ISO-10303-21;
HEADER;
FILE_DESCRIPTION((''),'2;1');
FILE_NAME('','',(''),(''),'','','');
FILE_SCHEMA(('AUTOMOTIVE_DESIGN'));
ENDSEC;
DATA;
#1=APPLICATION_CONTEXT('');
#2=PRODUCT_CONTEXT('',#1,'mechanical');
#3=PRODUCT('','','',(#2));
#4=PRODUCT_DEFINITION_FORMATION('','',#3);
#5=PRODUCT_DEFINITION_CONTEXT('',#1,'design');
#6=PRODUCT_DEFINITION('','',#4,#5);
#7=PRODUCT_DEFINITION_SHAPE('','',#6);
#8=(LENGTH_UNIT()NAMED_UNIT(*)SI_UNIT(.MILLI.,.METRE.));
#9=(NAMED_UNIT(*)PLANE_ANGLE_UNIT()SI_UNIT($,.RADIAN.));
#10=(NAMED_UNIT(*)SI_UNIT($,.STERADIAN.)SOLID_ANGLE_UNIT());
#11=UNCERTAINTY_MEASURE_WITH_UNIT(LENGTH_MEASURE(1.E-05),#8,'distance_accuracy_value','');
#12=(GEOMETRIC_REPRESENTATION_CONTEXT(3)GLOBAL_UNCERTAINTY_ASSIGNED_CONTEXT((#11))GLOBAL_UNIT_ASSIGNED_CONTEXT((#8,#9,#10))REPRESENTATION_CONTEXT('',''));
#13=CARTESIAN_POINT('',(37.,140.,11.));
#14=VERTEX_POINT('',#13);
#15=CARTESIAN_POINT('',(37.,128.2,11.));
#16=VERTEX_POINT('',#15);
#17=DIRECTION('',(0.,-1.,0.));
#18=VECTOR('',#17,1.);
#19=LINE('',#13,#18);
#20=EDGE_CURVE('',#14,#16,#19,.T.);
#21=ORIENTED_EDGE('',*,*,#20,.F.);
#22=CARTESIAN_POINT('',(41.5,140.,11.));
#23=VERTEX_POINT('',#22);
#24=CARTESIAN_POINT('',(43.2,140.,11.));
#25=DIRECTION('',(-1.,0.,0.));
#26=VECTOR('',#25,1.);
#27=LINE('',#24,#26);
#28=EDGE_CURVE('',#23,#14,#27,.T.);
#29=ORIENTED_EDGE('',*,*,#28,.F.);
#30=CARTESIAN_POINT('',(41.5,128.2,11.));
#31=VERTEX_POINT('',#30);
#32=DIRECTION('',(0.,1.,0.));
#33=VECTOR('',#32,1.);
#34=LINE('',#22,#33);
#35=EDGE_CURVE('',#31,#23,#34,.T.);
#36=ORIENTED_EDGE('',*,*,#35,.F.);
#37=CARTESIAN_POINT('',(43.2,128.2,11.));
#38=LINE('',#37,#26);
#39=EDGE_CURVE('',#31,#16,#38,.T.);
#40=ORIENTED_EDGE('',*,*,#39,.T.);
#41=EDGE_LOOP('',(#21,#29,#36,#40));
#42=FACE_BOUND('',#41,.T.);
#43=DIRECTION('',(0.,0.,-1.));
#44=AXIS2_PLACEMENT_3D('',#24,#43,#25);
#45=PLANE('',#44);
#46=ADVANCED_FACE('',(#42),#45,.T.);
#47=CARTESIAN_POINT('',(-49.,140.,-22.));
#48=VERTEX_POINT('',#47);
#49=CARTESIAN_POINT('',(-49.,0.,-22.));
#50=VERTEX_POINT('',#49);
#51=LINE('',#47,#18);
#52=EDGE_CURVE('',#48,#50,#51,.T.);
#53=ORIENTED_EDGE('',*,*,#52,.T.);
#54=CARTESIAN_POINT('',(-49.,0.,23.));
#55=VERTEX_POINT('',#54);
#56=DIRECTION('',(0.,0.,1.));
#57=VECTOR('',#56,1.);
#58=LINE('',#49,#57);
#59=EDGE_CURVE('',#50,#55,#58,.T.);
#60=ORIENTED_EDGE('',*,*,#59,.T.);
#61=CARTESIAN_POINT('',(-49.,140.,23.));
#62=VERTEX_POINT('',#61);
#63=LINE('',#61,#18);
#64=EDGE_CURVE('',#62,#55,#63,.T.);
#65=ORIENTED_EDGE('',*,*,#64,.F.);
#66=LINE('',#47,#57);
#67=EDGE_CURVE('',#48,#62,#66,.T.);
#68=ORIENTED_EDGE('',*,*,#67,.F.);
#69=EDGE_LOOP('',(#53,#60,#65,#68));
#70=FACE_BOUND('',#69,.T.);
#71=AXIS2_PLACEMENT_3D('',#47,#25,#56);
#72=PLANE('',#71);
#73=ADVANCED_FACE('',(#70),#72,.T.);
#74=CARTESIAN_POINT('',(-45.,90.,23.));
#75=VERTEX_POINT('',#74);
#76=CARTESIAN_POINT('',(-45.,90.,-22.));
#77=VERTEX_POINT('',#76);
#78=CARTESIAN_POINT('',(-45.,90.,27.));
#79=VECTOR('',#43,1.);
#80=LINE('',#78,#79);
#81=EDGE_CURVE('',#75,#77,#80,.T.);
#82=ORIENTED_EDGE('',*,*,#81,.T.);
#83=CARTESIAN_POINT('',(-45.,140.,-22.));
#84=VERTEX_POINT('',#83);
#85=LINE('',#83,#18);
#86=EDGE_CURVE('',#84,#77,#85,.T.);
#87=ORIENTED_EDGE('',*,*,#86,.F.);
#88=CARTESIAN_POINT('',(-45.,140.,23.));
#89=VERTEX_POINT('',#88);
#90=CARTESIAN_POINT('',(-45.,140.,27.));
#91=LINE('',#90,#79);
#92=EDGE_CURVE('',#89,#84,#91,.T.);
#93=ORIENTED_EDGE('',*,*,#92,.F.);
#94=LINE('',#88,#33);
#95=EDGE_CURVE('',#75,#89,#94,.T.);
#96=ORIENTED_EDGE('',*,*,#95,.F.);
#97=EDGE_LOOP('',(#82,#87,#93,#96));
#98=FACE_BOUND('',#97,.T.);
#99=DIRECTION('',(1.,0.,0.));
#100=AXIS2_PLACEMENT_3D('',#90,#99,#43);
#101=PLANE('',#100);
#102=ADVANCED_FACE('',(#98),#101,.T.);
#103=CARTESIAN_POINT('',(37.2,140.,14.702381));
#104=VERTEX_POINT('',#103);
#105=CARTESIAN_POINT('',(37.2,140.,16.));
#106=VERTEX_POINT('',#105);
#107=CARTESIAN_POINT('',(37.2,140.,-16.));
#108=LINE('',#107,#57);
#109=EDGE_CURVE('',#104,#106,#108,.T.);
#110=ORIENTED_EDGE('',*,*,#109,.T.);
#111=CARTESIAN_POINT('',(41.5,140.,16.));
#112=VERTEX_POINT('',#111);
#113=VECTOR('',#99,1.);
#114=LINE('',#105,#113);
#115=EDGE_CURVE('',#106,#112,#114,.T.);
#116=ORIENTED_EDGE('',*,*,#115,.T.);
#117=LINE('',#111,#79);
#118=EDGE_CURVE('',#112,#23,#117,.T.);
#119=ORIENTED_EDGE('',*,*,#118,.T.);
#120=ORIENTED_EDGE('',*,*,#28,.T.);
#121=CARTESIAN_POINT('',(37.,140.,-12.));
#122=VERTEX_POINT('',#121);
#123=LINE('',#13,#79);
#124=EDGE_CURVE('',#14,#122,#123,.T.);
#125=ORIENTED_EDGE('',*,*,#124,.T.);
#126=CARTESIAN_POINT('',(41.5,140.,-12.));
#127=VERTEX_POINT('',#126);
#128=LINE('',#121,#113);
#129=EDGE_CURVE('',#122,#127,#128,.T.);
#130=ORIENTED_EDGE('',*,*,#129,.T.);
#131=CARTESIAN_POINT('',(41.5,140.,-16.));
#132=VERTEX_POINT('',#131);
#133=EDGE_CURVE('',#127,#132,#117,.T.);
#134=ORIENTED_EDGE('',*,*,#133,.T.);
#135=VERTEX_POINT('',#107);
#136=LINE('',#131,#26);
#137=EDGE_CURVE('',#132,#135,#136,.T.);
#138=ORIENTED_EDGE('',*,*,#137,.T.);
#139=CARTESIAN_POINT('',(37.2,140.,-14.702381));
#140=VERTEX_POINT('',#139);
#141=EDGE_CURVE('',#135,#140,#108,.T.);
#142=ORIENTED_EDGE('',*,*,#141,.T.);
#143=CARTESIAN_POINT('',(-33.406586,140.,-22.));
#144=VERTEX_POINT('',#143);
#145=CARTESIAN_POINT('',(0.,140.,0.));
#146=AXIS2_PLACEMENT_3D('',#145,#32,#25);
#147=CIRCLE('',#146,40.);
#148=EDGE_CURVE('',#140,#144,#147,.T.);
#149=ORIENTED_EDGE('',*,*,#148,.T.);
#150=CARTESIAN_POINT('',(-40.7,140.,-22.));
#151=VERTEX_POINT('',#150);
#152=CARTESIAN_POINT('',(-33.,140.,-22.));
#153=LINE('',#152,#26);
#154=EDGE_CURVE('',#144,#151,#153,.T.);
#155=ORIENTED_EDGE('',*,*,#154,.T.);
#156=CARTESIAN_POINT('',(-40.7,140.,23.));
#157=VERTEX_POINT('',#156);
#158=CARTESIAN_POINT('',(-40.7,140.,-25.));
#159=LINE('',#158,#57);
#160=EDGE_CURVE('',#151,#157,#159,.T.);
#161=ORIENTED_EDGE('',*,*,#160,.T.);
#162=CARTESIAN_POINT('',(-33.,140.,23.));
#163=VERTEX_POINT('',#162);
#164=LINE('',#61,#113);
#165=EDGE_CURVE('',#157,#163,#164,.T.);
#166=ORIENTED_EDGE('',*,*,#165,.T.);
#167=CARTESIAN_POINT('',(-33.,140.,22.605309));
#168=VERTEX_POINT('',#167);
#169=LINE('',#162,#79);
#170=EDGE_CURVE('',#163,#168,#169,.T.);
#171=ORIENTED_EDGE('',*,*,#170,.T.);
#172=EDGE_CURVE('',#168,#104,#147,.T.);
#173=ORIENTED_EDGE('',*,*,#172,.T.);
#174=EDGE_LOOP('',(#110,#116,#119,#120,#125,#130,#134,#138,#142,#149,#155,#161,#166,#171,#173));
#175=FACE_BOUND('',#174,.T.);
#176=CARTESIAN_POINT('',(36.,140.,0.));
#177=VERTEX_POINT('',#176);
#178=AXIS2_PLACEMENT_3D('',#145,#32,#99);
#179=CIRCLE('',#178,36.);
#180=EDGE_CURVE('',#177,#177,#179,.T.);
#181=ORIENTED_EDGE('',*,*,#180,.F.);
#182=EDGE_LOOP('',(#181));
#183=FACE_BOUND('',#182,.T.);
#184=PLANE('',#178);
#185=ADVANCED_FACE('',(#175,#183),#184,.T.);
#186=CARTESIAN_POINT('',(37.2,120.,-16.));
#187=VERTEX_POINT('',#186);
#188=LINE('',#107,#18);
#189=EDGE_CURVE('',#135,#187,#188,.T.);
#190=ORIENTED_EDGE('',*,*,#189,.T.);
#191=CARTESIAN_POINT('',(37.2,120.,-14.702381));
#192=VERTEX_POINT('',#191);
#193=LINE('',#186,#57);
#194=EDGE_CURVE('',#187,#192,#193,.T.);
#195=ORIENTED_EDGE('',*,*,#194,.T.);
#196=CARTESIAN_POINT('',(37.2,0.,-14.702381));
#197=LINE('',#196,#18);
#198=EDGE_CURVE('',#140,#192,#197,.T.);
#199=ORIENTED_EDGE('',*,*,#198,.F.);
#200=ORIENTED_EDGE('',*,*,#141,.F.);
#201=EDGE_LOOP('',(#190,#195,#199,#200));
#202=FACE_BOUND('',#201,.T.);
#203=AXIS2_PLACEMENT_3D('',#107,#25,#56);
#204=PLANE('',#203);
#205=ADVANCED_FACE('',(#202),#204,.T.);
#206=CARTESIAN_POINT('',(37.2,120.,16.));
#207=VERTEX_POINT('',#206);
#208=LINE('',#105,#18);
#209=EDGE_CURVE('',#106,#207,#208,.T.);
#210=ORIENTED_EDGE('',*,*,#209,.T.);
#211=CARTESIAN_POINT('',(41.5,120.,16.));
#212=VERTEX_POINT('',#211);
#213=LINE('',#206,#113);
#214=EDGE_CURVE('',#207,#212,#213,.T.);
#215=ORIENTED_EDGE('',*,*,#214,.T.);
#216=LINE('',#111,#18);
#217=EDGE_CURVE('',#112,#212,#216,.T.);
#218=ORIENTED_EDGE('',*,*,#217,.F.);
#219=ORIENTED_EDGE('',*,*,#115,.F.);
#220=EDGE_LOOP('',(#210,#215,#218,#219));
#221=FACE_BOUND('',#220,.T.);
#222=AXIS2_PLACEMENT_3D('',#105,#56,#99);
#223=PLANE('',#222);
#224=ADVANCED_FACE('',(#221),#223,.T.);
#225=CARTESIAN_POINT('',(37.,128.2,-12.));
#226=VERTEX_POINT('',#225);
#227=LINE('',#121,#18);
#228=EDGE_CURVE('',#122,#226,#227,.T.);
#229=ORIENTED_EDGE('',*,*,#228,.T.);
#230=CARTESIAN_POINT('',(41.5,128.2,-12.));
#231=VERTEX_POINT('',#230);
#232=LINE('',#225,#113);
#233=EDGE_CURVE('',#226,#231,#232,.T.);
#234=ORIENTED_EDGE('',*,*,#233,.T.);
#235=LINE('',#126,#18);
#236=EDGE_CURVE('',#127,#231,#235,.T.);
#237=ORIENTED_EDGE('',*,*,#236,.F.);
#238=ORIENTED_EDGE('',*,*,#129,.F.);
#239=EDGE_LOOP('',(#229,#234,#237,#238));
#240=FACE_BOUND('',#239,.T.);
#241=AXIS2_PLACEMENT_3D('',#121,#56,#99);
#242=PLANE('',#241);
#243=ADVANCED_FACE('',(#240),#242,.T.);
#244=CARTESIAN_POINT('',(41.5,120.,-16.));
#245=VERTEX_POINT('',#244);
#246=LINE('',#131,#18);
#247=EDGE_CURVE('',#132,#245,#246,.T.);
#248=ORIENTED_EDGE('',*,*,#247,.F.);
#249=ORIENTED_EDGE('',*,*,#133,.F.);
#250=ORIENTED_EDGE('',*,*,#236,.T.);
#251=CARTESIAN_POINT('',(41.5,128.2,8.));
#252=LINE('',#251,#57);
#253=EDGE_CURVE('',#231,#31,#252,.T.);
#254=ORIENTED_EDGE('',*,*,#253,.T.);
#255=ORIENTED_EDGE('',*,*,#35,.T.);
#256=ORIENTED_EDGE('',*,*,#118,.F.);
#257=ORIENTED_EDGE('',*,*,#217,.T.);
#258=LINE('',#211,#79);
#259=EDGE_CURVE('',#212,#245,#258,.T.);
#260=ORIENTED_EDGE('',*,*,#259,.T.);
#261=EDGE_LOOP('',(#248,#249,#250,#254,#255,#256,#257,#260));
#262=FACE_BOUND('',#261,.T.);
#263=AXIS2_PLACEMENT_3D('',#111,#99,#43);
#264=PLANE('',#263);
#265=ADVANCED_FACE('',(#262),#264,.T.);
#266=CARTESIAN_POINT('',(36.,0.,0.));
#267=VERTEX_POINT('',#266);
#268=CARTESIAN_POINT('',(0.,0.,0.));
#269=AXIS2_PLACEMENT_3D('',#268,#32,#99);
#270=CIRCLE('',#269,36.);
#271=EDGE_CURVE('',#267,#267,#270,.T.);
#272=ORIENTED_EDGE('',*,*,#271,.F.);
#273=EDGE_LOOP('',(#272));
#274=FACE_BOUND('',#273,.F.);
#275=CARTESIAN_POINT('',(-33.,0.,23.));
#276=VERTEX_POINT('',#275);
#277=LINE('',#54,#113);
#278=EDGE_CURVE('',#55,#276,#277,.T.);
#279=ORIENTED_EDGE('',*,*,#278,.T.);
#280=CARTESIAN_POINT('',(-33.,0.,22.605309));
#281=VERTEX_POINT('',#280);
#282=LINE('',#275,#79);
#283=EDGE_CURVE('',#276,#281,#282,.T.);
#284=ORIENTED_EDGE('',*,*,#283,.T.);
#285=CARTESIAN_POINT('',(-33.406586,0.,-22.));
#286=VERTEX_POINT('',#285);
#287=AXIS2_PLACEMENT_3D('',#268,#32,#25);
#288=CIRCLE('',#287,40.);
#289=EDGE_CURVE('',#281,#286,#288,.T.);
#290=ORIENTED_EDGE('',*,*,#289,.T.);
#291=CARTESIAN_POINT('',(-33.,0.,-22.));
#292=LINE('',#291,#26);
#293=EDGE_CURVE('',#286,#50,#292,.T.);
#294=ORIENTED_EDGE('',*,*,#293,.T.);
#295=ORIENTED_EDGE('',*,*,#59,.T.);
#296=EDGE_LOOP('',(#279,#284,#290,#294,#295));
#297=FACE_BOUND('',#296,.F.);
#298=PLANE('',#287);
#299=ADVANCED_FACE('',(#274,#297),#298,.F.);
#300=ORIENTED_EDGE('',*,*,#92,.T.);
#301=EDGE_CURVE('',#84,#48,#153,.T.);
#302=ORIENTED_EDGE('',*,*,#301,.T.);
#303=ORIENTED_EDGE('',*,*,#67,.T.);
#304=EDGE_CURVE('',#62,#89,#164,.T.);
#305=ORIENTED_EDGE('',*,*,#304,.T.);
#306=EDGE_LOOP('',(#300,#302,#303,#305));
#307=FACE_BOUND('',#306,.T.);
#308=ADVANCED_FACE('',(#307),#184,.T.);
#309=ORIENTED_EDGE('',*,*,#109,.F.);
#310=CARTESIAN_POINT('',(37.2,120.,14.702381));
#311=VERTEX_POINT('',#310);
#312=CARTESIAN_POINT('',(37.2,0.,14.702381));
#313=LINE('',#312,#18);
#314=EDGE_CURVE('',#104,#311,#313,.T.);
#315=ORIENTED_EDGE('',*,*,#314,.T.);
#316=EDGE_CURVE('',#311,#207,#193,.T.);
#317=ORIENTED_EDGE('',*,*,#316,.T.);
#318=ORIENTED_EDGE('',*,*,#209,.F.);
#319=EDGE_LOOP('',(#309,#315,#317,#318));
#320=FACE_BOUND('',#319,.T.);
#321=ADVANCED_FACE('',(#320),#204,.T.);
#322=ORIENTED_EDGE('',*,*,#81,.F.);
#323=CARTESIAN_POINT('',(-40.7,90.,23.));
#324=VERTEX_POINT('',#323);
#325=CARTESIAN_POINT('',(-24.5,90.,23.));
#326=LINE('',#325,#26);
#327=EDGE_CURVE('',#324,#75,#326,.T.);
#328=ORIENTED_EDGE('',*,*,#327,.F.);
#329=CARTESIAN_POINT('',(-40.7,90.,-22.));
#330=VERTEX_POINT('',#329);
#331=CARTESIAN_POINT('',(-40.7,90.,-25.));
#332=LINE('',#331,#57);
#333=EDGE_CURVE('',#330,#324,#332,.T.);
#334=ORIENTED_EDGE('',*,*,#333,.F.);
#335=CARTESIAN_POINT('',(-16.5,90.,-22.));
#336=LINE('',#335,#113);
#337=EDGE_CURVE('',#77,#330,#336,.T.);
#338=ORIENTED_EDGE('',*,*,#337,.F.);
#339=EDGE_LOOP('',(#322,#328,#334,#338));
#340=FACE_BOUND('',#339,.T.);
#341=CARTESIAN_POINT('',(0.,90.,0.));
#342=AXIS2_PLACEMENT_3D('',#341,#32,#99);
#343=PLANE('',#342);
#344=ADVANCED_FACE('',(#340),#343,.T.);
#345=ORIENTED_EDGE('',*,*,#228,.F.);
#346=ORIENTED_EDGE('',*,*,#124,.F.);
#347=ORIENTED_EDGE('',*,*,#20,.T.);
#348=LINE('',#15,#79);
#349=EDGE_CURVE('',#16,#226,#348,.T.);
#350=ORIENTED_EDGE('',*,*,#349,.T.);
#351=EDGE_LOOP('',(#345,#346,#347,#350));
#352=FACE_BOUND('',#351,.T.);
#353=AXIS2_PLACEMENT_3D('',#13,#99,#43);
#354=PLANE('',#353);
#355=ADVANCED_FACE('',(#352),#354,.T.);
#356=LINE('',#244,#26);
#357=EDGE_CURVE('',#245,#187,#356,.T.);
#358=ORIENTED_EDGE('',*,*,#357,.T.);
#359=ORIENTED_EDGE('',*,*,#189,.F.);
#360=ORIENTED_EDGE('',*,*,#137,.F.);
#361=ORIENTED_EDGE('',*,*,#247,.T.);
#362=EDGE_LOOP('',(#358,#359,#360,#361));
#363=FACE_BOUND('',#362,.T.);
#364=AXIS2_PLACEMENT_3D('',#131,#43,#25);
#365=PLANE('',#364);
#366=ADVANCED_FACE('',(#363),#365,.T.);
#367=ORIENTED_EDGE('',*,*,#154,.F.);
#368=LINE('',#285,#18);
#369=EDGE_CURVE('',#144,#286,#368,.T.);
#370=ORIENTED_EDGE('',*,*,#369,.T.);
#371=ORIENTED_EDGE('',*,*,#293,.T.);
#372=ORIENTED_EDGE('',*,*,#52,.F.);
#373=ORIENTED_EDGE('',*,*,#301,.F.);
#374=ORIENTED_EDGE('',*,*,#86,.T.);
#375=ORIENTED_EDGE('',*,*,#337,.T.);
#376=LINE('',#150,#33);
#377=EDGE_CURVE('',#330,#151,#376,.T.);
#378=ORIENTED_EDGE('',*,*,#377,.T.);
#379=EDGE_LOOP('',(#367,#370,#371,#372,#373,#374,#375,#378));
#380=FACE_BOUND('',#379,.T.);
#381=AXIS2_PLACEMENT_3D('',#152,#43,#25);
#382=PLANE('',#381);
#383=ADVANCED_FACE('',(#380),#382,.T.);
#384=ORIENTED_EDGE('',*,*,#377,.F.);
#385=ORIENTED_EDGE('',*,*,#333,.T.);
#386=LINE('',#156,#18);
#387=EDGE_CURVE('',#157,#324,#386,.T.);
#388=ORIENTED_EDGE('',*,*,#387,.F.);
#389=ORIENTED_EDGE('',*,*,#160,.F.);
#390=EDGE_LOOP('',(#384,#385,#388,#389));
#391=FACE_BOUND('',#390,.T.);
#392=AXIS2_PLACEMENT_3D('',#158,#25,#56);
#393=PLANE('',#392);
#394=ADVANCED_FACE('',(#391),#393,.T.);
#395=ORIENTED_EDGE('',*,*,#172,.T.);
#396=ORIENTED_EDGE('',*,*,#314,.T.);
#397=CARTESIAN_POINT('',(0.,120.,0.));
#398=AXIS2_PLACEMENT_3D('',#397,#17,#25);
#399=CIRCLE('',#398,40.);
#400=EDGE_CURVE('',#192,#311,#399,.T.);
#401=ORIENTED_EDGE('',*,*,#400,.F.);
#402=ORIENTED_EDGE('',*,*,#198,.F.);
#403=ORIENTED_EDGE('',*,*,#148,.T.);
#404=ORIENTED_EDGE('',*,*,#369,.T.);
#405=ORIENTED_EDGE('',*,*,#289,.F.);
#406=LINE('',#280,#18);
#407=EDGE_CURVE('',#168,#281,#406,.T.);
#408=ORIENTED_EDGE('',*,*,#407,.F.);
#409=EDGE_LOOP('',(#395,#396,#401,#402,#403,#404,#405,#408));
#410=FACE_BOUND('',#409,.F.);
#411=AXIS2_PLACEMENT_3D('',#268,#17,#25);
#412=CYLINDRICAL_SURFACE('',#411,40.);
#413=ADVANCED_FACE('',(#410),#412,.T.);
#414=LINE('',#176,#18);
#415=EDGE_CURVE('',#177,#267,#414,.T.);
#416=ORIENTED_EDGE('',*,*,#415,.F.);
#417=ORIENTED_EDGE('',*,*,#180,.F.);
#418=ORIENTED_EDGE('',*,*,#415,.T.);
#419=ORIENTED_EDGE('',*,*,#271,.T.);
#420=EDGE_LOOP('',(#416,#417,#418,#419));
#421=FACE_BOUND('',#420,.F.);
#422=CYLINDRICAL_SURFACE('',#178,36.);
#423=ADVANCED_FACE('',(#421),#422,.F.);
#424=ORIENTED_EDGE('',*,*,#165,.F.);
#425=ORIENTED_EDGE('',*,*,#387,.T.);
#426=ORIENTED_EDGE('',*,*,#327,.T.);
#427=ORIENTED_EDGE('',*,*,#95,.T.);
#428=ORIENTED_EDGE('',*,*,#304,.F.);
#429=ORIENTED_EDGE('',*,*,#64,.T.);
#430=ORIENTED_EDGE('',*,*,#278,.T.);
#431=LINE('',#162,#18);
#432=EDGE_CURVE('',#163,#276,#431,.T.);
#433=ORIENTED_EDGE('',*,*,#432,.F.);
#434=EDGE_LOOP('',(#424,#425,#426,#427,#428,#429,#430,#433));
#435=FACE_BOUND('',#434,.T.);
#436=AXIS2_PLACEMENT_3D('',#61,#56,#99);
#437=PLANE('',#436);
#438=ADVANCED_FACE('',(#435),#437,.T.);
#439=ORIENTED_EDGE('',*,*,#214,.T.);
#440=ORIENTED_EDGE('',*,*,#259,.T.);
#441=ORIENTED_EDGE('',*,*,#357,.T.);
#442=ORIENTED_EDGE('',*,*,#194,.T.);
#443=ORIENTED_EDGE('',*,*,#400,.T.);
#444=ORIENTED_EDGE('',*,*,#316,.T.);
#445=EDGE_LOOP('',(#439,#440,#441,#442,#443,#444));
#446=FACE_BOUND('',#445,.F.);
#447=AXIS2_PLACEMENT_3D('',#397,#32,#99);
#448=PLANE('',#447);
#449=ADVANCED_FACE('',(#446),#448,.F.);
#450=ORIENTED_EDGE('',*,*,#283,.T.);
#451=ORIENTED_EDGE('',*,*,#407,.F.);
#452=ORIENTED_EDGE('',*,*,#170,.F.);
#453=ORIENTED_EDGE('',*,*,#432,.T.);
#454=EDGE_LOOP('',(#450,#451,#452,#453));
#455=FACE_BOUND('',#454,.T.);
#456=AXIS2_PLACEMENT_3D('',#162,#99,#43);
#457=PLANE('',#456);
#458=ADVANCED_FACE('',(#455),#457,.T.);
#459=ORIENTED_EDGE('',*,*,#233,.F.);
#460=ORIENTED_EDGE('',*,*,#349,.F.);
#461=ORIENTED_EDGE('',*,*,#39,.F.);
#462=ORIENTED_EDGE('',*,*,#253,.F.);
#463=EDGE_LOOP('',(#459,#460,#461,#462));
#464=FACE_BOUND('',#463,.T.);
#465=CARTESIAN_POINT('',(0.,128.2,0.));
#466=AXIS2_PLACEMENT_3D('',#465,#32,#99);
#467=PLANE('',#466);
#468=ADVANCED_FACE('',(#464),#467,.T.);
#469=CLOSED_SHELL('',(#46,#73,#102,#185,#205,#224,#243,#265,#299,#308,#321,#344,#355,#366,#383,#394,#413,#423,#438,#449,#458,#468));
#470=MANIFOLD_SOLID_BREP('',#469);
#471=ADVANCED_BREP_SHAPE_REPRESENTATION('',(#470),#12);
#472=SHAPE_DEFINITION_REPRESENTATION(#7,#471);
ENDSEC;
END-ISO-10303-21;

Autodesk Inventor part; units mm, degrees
ref_plane "YZ Plane" through (0, 0, 0) normal (1, 0, 0) x (0, 1, 0)
ref_plane "XZ Plane" through (0, 0, 0) normal (0, 1, 0) x (-1, 0, 0)
ref_plane "XY Plane" through (0, 0, 0) normal (0, 0, 1) x (1, 0, 0)
sketch "Sketch1" plane through (0, 0, 0) normal (0, 1, 0) x (-1, 0, 0)
  circle A0 centre (0, 0) radius 40
  dimension "d0" = 80
extrude "Extrusion1" add sketch "Sketch1" along normal blind 140
sketch "Sketch2" plane through (0, 140, 0) normal (0, 1, 0) x (1, 0, 0)
  line L0 (-49, -23) -> (-33, -23)
  line L1 (-33, -23) -> (-33, 22)
  line L2 (-33, 22) -> (-49, 22)
  line L3 (-49, 22) -> (-49, -23)
  point P0 (0, 0)
extrude "Extrusion2" add sketch "Sketch2" against normal blind 140
sketch "Sketch3" plane through (0, 140, 0) normal (0, 1, 0) x (1, 0, 0)
  circle A0 centre (0, 0) radius 36
  arc A1 (-33, -22.6053) -> (-33.4066, 22) centre (0, 0) ccw projected
  dimension "d25" = 72
extrude "Extrusion3" cut sketch "Sketch3" against normal blind 140
sketch "Sketch4" plane through (0, 140, 0) normal (0, 1, 0) x (1, 0, 0)
  line L0 (-45, 25) -> (-40.7, 25)
  line L1 (-40.7, 25) -> (-40.7, -27)
  line L2 (-40.7, -27) -> (-45, -27)
  line L3 (-45, -27) -> (-45, 25)
  line L4 (-49, 22) -> (-49, -23) projected
  point P0 (0, 0)
  dimension "d9" = 4.3
  dimension "d10" = 4
extrude "Extrusion4" cut sketch "Sketch4" against normal blind 50
sketch "Sketch5" plane through (0, 140, 0) normal (0, 1, 0) x (1, 0, 0)
  line L0 (37.2, -16) -> (41.5, -16)
  line L1 (41.5, -16) -> (41.5, 16)
  line L2 (41.5, 16) -> (37.2, 16)
  line L3 (37.2, 16) -> (37.2, -16)
  point P0 (0, 0)
  point P1 (39.35, -16)
  dimension "d13" = 4.3
  dimension "d14" = 32
extrude "Extrusion5" add sketch "Sketch5" against normal blind 20
sketch "Sketch6" plane through (0, 140, 0) normal (0, 1, 0) x (1, 0, 0)
  line L0 (37, 12) -> (43.2, 12)
  line L1 (43.2, 12) -> (43.2, -11)
  line L2 (43.2, -11) -> (37, -11)
  line L3 (37, -11) -> (37, 12)
  line L4 (41.5, 16) -> (37.2, 16) projected
  line L5 (37.2, -16) -> (41.5, -16) projected
  circle A0 centre (0, 0) radius 36 projected
  point P0 (40.1, 12)
  point P1 (40.1, -11)
  dimension "d28" = 23
  dimension "d29" = 37
  dimension "d30" = 5
  dimension "d31" = 6.2
extrude "Extrusion6" cut sketch "Sketch6" against normal blind 11.8 contours L0 L1 L2 L3
properties part number "Feeder"
